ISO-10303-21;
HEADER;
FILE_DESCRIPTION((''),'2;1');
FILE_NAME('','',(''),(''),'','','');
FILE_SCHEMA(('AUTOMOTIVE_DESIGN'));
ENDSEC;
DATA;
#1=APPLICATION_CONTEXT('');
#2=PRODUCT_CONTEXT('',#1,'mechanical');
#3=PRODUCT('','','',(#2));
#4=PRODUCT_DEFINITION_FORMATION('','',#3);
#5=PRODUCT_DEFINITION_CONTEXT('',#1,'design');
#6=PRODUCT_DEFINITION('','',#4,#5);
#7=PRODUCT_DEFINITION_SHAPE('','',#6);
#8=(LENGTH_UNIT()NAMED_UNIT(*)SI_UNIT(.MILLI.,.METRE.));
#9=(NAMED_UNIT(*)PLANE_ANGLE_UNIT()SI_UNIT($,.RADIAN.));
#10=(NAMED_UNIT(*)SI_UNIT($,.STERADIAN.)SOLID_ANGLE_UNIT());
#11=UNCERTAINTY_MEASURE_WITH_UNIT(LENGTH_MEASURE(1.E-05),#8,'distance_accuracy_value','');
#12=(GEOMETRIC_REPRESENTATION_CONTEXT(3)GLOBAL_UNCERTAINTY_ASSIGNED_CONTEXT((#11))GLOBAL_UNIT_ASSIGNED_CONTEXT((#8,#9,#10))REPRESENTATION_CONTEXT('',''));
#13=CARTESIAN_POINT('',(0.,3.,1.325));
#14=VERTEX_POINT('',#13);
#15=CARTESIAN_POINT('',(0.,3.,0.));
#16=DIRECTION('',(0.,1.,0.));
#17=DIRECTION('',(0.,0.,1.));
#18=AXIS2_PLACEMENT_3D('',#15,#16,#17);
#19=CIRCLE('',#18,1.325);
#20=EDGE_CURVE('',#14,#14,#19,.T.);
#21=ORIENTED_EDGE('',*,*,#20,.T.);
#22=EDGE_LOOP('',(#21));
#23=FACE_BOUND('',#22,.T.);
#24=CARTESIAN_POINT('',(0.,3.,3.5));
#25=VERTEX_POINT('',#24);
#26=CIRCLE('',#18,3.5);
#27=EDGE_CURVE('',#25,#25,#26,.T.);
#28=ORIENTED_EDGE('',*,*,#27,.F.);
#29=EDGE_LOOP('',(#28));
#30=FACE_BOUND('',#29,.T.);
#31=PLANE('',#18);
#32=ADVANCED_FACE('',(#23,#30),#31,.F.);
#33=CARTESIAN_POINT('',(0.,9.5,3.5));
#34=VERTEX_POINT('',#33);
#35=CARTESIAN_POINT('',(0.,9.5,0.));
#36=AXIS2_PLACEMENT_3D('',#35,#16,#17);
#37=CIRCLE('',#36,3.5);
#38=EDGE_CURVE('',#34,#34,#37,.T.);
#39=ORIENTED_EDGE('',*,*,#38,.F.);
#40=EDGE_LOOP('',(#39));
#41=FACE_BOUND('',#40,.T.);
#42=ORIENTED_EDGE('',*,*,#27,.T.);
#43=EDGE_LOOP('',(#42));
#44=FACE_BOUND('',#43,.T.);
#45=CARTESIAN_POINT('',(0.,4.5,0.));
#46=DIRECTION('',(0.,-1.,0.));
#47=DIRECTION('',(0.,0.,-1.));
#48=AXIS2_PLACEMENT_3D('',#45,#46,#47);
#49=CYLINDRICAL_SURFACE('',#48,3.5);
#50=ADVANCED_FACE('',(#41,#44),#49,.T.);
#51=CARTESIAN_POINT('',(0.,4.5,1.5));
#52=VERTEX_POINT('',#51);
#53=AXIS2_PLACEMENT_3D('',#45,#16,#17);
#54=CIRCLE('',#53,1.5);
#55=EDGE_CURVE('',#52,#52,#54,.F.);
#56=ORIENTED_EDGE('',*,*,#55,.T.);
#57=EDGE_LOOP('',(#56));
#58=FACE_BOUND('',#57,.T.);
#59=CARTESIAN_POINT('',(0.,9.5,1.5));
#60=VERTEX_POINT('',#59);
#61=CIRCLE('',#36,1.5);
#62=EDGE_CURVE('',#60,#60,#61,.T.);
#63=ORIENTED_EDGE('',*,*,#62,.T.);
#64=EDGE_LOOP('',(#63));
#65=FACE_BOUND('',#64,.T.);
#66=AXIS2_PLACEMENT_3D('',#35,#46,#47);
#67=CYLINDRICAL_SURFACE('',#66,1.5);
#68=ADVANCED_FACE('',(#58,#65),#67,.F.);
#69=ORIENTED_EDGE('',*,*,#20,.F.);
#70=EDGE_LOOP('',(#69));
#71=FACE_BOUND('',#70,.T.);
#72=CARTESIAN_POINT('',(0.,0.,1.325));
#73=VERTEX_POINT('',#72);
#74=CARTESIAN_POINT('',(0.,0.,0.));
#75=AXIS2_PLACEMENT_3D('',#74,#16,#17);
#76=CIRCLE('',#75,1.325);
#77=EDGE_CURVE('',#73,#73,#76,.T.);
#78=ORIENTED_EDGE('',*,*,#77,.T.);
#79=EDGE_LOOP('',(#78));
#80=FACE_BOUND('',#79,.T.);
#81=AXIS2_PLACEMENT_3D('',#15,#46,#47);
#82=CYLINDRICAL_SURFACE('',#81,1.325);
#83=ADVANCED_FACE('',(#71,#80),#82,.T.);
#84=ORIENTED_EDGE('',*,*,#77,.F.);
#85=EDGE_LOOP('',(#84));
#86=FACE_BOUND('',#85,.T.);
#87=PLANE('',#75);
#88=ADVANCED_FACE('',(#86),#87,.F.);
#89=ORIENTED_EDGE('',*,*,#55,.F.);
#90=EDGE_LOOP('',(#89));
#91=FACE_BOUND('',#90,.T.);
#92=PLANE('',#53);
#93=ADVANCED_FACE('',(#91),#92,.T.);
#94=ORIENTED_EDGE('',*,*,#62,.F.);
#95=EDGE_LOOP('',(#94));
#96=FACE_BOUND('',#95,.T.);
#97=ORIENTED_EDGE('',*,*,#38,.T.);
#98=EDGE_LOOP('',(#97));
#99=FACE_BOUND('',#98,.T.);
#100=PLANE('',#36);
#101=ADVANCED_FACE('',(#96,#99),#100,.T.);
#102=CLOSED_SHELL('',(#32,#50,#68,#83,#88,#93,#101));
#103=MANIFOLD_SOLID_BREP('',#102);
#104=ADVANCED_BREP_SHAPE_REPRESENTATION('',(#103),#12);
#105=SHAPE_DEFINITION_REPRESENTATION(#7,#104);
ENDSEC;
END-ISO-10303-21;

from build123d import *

# Parameters (mm, degrees)
SKETCH1_R           = 1.325
BOSS_EXTRUDE1_DEPTH = 3
SKETCH2_R           = 3.5
BOSS_EXTRUDE2_DEPTH = 1.5
SKETCH3_R           = 3.5
SKETCH3_R_2         = 1.5
BOSS_EXTRUDE3_DEPTH = 5


with BuildPart() as part:
    # Sketch1 → Boss-Extrude1 (new body)
    with BuildSketch(Plane(origin=(0, 0, 0), x_dir=(1, 0, 0), z_dir=(0, 1, 0))):
        Circle(SKETCH1_R)
    extrude(amount=BOSS_EXTRUDE1_DEPTH)

    # Sketch2 → Boss-Extrude2 (add)
    with BuildSketch(Plane(origin=(0, 3, 0), x_dir=(1, 0, 0), z_dir=(0, 1, 0))):
        Circle(SKETCH2_R)
    extrude(amount=BOSS_EXTRUDE2_DEPTH)

    # Sketch3 → Boss-Extrude3 (add)
    with BuildSketch(Plane(origin=(0, 4.5, 0), x_dir=(1, 0, 0), z_dir=(0, 1, 0))):
        Circle(SKETCH3_R)
        Circle(SKETCH3_R_2, mode=Mode.SUBTRACT)
    extrude(amount=BOSS_EXTRUDE3_DEPTH)


solid = part.part
